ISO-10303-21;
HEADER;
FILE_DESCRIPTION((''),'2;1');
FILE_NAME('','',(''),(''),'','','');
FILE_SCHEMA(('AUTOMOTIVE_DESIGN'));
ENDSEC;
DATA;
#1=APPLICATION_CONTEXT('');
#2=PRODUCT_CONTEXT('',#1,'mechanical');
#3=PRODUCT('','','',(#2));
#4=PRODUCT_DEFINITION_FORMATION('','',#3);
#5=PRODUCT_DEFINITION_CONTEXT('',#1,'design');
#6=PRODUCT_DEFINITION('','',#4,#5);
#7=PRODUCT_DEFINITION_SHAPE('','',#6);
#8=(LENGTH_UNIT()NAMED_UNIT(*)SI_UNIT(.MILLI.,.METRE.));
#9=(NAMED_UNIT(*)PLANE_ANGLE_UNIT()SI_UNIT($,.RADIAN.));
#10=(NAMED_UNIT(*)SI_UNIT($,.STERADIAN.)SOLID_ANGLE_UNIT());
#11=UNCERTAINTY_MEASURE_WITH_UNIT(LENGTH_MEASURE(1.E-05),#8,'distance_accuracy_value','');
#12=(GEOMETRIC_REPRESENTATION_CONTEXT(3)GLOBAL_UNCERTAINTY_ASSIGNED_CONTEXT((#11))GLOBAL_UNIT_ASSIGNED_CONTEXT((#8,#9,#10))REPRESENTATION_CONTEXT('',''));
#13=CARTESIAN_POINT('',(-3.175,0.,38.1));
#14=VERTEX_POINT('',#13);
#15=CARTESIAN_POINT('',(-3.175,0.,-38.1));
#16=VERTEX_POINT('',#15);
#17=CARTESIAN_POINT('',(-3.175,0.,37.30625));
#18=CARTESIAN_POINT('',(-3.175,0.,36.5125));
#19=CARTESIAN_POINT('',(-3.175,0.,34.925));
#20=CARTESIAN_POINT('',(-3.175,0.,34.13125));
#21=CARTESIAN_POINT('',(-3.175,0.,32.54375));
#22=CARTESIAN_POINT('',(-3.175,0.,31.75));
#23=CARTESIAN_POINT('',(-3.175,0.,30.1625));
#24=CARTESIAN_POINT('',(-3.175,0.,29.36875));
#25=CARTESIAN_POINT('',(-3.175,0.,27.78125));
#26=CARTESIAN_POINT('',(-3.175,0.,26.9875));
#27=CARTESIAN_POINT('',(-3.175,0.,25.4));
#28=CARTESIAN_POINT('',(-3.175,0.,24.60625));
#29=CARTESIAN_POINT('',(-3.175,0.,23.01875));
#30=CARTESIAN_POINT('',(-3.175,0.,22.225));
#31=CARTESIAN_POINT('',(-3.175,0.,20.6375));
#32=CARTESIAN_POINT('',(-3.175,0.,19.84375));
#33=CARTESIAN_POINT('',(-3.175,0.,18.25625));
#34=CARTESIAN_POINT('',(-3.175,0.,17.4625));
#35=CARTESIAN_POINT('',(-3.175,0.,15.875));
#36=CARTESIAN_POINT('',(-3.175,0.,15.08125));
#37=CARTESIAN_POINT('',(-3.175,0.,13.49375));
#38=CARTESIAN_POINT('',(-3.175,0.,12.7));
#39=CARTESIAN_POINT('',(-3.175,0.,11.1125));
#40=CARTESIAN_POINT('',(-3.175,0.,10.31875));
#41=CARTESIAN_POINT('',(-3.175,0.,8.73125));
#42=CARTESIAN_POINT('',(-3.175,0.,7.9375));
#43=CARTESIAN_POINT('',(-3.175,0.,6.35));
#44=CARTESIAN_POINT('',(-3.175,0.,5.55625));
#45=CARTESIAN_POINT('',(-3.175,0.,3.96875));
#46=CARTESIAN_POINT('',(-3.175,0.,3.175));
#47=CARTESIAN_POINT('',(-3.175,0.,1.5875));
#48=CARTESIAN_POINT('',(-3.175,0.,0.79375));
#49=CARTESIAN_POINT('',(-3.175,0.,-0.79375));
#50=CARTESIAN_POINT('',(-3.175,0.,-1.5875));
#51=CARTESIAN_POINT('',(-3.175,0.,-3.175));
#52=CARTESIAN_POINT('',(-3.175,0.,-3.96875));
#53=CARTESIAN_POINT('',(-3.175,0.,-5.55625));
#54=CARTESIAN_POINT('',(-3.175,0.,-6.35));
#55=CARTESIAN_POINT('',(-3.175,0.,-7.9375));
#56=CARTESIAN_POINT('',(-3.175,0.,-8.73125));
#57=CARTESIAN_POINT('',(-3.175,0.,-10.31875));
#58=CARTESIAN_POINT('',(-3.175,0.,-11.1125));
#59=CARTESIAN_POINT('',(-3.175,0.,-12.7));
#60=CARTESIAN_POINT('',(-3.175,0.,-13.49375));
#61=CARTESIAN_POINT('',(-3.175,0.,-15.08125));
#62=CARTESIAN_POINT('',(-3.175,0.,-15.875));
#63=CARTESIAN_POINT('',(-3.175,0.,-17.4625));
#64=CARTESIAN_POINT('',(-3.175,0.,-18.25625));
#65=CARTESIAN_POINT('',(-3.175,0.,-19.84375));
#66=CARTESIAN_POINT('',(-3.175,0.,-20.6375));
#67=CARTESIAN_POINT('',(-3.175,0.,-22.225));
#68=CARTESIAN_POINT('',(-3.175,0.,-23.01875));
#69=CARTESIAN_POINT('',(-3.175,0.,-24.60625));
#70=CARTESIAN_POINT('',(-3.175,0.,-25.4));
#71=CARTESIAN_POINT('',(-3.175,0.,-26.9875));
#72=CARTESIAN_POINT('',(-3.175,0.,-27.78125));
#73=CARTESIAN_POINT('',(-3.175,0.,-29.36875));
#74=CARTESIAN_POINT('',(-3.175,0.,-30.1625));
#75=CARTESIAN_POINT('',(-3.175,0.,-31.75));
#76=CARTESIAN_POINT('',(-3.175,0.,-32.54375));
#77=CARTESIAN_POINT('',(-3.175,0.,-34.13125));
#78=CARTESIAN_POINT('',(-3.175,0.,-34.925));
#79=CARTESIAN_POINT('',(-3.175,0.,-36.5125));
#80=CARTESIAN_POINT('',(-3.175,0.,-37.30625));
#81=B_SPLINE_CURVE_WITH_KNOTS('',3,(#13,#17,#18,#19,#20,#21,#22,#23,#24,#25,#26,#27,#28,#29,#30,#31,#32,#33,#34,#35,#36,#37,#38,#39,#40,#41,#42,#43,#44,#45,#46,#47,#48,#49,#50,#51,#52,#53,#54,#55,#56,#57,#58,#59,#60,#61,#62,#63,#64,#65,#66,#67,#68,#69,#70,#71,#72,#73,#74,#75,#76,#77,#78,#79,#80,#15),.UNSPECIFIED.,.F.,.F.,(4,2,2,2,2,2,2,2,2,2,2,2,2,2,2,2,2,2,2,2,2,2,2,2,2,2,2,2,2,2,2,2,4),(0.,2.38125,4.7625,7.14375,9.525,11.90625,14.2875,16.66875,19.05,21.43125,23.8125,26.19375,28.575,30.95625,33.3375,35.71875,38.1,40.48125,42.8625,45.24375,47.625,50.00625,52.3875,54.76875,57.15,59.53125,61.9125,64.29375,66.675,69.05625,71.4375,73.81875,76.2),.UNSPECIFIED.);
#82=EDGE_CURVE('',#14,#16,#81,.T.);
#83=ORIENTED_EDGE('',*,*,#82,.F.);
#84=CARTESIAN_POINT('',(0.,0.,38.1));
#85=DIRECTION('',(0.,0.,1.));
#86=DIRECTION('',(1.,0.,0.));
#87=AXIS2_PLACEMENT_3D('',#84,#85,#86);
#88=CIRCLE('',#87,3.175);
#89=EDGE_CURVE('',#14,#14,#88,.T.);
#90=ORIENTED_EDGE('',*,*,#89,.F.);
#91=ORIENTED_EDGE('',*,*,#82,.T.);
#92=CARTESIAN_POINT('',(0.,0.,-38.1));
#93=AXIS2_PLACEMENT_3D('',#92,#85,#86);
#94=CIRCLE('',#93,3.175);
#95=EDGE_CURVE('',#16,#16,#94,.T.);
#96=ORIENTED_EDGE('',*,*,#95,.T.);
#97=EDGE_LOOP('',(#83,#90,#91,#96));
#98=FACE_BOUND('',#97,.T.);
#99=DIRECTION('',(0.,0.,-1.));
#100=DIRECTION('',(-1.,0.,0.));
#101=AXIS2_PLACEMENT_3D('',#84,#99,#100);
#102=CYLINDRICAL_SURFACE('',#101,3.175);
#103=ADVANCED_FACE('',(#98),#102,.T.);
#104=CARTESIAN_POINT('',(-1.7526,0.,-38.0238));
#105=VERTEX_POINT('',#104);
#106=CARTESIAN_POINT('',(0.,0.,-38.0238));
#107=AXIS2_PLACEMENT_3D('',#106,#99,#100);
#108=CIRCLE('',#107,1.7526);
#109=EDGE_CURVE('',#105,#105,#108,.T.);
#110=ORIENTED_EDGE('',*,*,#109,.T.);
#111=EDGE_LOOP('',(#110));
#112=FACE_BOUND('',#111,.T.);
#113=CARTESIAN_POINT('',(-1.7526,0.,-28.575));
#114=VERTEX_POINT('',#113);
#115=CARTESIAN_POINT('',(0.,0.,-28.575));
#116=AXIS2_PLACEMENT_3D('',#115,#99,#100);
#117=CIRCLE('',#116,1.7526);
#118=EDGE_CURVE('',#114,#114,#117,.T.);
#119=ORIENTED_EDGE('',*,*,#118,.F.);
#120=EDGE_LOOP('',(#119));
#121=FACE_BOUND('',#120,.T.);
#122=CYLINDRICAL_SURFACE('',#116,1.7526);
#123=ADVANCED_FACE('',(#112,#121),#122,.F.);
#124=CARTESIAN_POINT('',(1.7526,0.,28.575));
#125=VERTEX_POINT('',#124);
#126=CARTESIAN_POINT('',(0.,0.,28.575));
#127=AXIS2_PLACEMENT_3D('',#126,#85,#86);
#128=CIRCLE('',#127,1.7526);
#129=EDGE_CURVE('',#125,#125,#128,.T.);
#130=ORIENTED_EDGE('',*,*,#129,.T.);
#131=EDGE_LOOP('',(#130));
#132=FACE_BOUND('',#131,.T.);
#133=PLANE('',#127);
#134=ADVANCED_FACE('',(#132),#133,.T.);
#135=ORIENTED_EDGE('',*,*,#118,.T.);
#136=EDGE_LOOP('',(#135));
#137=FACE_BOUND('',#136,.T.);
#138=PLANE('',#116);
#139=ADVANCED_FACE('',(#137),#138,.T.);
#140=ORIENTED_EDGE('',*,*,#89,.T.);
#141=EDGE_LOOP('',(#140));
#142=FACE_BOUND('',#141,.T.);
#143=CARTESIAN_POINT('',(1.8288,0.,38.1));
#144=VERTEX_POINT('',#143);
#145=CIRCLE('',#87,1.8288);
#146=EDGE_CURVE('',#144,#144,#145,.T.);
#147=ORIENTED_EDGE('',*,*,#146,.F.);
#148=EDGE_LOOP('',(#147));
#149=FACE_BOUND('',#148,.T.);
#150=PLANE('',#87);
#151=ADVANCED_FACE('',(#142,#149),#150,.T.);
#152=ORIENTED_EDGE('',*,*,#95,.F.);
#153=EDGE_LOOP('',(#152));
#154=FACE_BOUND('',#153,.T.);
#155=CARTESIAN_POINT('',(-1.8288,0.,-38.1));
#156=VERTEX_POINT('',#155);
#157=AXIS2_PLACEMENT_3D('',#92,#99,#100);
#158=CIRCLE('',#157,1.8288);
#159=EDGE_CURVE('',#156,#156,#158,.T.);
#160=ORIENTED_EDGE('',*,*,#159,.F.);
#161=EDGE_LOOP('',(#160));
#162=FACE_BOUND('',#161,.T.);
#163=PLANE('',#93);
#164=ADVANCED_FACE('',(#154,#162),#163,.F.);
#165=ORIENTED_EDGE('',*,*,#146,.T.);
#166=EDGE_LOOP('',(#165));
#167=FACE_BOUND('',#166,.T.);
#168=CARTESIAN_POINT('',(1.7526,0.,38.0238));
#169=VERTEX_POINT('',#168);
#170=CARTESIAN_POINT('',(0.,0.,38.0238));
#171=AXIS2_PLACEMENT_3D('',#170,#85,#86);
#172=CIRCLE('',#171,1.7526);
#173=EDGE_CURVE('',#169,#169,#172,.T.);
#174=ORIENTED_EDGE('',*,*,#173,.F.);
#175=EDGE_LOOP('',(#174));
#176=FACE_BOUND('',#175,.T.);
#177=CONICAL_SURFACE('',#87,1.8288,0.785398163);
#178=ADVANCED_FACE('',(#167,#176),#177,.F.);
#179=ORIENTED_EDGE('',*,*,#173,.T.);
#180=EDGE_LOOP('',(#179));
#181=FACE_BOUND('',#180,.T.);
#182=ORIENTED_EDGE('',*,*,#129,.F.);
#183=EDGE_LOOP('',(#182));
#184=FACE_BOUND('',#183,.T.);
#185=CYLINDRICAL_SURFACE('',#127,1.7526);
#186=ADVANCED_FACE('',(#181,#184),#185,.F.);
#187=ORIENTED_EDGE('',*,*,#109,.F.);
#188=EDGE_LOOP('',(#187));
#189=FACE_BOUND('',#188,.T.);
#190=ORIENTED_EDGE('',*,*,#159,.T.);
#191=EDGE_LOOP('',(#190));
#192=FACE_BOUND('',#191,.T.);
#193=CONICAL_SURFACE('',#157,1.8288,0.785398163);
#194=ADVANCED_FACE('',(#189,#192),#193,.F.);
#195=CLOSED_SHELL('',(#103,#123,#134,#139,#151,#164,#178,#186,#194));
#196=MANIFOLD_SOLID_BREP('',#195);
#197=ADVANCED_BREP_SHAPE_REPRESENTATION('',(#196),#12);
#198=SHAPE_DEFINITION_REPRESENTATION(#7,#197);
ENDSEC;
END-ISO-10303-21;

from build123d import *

# Parameters (mm, degrees)
BOSS_EXTRUDE1_START = 38.1
SKETCH13_R          = 1.7526
BOSS_EXTRUDE1_DEPTH = 9.525
CIRPATTERN1_COUNT   = 2
CIRPATTERN1_ANGLE   = 180
EXTRUDE1_DEPTH      = 38.1
EXTRUDE1_DEPTH_BACK = 38.1
SKETCH1_R           = 3.175


with BuildPart() as part:
    # Sketch13 → Boss-Extrude1 (new body)
    with BuildSketch(Plane.XY.offset(BOSS_EXTRUDE1_START)):
        Circle(SKETCH13_R)
    extrude(amount=-BOSS_EXTRUDE1_DEPTH)

    # Boss-Extrude2 cone 1 section (through the dimple's axis) → Boss-Extrude2 (revolve)
    with BuildSketch(Plane(origin=(0, 0, 38.1), x_dir=(0, -1, 0), z_dir=(1, 0, 0))):
        Polygon((0, 0), (1.8288, 0), (0, 1.8288), align=None)
    revolve(axis=Axis((0, 0, 38.1), (0, 0, -1)))


with BuildPart() as cirpattern1_1:
    # CirPattern1: pattern copy
    add(part.part.rotate(Axis((0, 3.175, 0), (0, -1, 0)), 1 * CIRPATTERN1_ANGLE / (CIRPATTERN1_COUNT - 1)))


with BuildPart() as body_3:
    # Sketch1 → Extrude1 (new, two sides: drawn at the far end of the back side and taken through both)
    with BuildSketch(Plane.XY.offset(-EXTRUDE1_DEPTH_BACK)):
        with Locations(Location((0, 0, 0), (0, 0, 180))):
            Circle(SKETCH1_R)
    extrude(amount=EXTRUDE1_DEPTH + EXTRUDE1_DEPTH_BACK)

    # Combine1: cut CirPattern1_1, part
    add(cirpattern1_1.part, mode=Mode.SUBTRACT)
    add(part.part, mode=Mode.SUBTRACT)


solid = body_3.part
